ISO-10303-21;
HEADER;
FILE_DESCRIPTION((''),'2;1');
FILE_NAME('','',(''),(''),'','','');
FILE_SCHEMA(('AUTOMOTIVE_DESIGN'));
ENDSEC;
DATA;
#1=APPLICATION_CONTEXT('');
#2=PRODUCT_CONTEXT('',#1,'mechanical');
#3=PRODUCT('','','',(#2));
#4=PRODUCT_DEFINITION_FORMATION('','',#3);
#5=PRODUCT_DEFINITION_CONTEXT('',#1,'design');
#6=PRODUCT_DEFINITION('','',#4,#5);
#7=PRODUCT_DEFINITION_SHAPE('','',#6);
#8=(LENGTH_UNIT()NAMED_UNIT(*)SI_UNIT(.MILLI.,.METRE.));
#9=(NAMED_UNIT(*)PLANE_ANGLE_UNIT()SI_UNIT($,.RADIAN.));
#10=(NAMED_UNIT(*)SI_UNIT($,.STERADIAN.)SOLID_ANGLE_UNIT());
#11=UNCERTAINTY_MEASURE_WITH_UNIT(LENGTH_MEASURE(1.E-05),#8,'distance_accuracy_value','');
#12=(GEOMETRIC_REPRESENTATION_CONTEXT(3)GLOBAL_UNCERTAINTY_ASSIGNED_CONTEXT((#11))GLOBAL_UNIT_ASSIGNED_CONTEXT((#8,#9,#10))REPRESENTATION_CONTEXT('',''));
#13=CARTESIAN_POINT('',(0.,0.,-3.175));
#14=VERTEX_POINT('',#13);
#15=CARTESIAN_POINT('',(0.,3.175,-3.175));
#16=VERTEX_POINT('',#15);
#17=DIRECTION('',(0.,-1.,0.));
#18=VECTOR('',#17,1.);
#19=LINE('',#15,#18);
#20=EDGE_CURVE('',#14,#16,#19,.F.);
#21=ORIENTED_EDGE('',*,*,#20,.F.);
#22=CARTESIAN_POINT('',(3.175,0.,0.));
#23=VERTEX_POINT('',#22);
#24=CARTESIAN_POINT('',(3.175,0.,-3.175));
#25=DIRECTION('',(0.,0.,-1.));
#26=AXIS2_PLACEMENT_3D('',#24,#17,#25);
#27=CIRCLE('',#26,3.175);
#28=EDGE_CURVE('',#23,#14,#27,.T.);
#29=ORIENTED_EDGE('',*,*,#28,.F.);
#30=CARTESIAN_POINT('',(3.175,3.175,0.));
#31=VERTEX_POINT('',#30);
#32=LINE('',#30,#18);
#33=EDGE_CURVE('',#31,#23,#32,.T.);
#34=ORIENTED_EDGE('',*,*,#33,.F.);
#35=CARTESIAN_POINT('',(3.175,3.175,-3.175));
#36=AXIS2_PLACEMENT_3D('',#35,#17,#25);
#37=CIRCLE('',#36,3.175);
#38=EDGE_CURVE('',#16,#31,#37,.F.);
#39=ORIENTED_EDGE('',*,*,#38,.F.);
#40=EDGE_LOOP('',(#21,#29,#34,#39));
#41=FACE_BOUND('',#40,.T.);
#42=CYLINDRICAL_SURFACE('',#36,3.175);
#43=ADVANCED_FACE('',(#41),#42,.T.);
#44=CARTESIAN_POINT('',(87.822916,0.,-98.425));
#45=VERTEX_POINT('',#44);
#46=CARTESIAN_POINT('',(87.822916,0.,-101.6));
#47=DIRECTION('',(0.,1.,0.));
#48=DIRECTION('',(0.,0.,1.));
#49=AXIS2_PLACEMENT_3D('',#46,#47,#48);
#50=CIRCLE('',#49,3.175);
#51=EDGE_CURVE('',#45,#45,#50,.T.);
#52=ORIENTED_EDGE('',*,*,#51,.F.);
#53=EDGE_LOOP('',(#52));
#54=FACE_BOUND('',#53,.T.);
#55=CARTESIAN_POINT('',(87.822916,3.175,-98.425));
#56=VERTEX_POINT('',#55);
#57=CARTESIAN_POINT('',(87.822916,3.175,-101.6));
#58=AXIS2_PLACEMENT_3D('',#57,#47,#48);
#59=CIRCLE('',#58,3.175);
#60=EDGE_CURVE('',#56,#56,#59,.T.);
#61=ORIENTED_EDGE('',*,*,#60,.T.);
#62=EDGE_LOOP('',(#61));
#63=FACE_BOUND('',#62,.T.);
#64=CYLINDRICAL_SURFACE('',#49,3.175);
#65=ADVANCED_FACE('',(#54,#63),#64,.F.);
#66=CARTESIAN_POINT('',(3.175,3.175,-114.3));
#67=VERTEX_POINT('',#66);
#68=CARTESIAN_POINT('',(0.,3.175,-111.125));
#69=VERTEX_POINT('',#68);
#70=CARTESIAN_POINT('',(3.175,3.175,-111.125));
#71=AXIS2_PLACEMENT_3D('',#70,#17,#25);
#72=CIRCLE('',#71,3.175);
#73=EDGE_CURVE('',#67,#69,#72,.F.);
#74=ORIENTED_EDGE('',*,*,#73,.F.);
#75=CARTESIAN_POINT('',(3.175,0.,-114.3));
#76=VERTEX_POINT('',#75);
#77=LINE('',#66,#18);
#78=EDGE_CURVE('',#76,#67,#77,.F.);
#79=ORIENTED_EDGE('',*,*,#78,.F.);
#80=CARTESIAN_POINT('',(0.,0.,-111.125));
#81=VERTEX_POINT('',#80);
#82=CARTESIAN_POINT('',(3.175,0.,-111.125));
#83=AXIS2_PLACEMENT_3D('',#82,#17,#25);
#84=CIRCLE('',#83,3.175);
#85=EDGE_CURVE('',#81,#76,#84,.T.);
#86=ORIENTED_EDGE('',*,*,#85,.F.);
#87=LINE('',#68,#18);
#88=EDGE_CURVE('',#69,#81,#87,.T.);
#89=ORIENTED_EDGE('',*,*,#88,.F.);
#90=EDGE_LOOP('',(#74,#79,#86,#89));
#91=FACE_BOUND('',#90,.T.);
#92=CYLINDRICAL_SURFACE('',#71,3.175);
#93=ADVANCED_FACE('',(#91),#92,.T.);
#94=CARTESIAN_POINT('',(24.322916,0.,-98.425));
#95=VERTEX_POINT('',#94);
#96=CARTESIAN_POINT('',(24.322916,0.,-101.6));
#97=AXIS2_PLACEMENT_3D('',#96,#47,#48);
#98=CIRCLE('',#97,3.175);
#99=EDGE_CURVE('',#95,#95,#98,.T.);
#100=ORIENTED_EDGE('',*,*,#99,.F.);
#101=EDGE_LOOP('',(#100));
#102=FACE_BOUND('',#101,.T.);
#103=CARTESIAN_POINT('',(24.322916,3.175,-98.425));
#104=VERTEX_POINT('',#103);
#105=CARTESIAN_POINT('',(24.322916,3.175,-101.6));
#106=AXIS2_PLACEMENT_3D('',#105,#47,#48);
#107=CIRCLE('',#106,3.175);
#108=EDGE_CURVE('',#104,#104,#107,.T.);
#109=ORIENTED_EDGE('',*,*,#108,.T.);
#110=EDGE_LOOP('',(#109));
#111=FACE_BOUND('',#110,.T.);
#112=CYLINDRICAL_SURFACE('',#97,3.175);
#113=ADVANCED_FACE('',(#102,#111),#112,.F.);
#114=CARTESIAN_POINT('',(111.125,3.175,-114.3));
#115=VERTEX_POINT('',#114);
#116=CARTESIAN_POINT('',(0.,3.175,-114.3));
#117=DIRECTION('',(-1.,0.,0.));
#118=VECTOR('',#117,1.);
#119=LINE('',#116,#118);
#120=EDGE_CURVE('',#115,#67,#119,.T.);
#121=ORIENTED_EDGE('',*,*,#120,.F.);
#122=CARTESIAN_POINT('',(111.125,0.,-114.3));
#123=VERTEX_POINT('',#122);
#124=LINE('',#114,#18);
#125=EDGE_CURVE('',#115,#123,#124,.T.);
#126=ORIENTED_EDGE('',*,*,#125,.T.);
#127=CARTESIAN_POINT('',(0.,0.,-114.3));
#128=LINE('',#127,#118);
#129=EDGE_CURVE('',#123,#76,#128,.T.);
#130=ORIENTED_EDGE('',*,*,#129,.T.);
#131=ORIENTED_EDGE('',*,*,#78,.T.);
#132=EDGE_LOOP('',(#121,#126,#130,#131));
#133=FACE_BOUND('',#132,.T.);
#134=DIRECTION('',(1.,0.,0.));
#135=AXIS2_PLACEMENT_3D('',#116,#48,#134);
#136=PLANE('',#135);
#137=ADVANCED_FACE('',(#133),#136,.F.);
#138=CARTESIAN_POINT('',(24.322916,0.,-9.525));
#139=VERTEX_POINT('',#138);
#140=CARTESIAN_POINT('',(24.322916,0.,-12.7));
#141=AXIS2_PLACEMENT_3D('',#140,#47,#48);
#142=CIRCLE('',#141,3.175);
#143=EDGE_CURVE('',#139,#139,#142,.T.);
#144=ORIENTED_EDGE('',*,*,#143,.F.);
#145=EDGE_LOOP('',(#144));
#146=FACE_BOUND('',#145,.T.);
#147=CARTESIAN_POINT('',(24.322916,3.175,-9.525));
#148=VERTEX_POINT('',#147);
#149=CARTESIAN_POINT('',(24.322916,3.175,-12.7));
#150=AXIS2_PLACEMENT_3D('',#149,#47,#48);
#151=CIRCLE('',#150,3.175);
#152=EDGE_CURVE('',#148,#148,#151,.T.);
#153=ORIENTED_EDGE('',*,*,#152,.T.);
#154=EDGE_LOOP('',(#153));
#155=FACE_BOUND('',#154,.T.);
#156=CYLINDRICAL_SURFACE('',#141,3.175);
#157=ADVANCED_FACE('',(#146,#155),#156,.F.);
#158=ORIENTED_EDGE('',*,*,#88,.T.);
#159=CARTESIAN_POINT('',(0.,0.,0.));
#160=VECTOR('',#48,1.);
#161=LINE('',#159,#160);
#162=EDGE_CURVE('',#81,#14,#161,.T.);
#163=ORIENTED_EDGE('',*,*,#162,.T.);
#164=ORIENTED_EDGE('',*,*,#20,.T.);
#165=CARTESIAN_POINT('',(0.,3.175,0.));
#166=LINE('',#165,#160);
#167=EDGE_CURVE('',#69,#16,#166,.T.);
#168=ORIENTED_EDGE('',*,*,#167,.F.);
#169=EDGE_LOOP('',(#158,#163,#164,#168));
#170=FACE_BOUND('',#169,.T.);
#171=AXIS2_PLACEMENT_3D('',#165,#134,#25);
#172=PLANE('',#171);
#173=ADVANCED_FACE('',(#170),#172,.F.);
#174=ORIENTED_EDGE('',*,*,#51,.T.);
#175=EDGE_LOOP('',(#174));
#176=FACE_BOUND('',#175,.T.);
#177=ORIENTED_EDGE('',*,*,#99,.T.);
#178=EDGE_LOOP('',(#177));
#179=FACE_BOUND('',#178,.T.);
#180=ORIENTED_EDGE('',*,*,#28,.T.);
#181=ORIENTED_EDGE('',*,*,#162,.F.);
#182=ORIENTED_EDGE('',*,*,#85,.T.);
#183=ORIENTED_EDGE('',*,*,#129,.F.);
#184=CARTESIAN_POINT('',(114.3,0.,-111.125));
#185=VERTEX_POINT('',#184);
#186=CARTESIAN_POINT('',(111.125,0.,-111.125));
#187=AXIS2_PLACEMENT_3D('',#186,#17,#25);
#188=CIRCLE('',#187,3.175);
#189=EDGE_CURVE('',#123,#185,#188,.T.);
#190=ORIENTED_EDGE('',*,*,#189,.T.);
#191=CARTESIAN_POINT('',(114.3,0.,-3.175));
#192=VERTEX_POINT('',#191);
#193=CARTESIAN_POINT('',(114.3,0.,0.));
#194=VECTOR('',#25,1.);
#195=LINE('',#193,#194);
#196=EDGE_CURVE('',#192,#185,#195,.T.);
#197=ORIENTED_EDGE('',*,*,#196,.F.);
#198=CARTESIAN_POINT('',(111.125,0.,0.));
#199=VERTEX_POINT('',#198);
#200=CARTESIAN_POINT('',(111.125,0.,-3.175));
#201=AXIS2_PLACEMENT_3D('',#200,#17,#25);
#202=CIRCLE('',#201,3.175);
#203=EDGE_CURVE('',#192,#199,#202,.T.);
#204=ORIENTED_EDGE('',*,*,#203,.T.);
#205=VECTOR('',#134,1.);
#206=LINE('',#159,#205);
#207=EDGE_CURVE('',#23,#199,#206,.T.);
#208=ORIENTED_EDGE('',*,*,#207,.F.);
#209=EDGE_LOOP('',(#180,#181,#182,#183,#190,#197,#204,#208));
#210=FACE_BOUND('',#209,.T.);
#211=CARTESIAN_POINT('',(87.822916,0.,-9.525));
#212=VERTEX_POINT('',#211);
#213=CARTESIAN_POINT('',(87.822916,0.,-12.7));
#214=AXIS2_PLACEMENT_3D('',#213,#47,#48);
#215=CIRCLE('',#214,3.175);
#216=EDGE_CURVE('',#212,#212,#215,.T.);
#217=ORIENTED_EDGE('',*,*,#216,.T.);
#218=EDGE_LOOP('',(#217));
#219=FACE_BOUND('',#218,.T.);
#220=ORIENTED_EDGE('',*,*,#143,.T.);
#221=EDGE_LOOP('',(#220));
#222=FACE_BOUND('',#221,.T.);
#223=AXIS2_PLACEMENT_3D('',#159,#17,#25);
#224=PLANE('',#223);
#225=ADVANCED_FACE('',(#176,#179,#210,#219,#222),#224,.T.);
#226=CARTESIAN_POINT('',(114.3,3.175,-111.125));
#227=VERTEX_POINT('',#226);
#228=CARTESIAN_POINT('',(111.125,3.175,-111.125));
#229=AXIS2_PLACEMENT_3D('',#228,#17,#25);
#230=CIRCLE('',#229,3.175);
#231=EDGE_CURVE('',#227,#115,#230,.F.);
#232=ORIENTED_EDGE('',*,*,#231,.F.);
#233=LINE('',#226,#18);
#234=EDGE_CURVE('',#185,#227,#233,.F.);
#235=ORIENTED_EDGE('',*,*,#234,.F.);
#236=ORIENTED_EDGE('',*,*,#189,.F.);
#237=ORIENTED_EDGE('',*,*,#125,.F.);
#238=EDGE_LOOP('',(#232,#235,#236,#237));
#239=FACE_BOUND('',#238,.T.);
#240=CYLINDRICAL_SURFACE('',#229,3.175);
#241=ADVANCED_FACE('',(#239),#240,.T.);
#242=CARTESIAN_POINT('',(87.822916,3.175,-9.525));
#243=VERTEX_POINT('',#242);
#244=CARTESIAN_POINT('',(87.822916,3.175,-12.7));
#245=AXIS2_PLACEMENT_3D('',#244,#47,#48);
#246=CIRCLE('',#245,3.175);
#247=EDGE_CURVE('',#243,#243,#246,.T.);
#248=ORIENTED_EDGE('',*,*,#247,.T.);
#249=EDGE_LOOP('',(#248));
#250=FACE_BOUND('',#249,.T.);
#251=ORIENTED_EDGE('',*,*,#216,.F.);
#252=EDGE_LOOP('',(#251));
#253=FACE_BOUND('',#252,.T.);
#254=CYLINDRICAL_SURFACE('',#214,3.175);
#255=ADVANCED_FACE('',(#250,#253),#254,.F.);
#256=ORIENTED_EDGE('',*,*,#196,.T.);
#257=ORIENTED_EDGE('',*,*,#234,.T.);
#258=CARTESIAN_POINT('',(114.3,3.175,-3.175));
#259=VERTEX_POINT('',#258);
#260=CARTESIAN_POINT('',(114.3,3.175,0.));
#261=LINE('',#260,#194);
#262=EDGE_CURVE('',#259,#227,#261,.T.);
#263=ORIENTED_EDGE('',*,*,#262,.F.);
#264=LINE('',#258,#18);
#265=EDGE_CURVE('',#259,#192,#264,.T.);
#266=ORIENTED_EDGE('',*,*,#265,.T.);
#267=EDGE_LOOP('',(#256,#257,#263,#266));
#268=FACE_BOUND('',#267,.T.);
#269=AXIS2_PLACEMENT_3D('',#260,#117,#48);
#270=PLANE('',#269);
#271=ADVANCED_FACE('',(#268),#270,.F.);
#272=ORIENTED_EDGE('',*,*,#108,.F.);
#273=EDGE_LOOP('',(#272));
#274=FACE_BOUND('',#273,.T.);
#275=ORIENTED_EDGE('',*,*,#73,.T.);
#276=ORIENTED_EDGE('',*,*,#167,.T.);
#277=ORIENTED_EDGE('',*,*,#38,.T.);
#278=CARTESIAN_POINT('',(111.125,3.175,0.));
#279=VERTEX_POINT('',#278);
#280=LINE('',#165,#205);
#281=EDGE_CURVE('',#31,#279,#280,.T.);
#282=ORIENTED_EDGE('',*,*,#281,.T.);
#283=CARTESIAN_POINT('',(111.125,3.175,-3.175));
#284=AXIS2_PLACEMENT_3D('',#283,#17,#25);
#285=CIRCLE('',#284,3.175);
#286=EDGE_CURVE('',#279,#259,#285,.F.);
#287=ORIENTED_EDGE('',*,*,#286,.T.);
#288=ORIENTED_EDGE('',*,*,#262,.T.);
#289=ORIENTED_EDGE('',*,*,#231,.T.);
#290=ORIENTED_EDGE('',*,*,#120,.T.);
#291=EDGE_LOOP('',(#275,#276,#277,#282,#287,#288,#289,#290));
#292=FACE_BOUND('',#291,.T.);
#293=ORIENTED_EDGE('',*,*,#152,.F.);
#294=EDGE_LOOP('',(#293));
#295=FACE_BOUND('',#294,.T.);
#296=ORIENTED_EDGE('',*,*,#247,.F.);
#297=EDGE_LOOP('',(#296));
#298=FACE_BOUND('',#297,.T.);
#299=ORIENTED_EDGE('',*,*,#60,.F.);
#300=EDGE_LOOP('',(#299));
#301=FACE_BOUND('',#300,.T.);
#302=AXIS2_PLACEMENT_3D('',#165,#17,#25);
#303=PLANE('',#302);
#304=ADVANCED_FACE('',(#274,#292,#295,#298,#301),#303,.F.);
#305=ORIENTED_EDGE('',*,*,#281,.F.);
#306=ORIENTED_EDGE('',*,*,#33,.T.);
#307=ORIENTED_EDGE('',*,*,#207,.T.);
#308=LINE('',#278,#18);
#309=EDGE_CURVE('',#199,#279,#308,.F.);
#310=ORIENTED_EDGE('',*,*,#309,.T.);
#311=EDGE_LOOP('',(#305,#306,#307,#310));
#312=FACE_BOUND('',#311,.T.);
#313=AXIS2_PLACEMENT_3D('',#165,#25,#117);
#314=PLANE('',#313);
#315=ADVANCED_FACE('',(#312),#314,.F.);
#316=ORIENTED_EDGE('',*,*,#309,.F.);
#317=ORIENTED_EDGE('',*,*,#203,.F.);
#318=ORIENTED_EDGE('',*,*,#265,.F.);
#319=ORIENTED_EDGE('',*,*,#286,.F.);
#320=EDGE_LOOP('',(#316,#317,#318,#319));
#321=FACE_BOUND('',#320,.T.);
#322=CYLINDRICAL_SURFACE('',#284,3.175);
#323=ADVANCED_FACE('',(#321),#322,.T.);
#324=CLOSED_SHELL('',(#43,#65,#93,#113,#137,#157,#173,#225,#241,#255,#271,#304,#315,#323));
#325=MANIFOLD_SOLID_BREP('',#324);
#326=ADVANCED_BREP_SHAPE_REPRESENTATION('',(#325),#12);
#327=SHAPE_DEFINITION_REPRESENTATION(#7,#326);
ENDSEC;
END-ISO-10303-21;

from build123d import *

# Parameters (mm, degrees)
SKETCH2_W           = 114.3
SKETCH2_H           = 114.3
BOSS_EXTRUDE1_DEPTH = 3.175
FILLET1_R           = 3.175
SKETCH3_R           = 3.175
CUT_EXTRUDE1_DEPTH  = 162.675788617


with BuildPart() as part:
    # Sketch2 → Boss-Extrude1 (new body)
    with BuildSketch(Plane(origin=(0, 0, 0), x_dir=(1, 0, 0), z_dir=(0, 1, 0))):
        with Locations((57.15, 57.15)):
            Rectangle(SKETCH2_W, SKETCH2_H)
    extrude(amount=BOSS_EXTRUDE1_DEPTH)

    # Fillet1
    fillet1_edges = [part.edges().sort_by_distance(p)[0] for p in [
        (0, 1.5875, -114.3),
        (114.3, 1.5875, -114.3),
        (114.3, 1.5875, 0),
        (0, 1.5875, 0),
    ]]
    fillet(fillet1_edges, radius=FILLET1_R)

    # Sketch3 → Cut-Extrude1 (cut, through all)
    with BuildSketch(Plane(origin=(0, 3.175, 0), x_dir=(1, 0, 0), z_dir=(0, 1, 0))):
        with Locations(Location((24.32291575, 101.6, 0), (0, 0, 270))):
            Circle(SKETCH3_R)
        with Locations(Location((24.32291575, 12.7, 0), (0, 0, 270))):
            Circle(SKETCH3_R)
        with Locations(Location((87.82291575, 12.7, 0), (0, 0, 270))):
            Circle(SKETCH3_R)
        with Locations(Location((87.82291575, 101.6, 0), (0, 0, 270))):
            Circle(SKETCH3_R)
    extrude(amount=-CUT_EXTRUDE1_DEPTH, mode=Mode.SUBTRACT)


solid = part.part
